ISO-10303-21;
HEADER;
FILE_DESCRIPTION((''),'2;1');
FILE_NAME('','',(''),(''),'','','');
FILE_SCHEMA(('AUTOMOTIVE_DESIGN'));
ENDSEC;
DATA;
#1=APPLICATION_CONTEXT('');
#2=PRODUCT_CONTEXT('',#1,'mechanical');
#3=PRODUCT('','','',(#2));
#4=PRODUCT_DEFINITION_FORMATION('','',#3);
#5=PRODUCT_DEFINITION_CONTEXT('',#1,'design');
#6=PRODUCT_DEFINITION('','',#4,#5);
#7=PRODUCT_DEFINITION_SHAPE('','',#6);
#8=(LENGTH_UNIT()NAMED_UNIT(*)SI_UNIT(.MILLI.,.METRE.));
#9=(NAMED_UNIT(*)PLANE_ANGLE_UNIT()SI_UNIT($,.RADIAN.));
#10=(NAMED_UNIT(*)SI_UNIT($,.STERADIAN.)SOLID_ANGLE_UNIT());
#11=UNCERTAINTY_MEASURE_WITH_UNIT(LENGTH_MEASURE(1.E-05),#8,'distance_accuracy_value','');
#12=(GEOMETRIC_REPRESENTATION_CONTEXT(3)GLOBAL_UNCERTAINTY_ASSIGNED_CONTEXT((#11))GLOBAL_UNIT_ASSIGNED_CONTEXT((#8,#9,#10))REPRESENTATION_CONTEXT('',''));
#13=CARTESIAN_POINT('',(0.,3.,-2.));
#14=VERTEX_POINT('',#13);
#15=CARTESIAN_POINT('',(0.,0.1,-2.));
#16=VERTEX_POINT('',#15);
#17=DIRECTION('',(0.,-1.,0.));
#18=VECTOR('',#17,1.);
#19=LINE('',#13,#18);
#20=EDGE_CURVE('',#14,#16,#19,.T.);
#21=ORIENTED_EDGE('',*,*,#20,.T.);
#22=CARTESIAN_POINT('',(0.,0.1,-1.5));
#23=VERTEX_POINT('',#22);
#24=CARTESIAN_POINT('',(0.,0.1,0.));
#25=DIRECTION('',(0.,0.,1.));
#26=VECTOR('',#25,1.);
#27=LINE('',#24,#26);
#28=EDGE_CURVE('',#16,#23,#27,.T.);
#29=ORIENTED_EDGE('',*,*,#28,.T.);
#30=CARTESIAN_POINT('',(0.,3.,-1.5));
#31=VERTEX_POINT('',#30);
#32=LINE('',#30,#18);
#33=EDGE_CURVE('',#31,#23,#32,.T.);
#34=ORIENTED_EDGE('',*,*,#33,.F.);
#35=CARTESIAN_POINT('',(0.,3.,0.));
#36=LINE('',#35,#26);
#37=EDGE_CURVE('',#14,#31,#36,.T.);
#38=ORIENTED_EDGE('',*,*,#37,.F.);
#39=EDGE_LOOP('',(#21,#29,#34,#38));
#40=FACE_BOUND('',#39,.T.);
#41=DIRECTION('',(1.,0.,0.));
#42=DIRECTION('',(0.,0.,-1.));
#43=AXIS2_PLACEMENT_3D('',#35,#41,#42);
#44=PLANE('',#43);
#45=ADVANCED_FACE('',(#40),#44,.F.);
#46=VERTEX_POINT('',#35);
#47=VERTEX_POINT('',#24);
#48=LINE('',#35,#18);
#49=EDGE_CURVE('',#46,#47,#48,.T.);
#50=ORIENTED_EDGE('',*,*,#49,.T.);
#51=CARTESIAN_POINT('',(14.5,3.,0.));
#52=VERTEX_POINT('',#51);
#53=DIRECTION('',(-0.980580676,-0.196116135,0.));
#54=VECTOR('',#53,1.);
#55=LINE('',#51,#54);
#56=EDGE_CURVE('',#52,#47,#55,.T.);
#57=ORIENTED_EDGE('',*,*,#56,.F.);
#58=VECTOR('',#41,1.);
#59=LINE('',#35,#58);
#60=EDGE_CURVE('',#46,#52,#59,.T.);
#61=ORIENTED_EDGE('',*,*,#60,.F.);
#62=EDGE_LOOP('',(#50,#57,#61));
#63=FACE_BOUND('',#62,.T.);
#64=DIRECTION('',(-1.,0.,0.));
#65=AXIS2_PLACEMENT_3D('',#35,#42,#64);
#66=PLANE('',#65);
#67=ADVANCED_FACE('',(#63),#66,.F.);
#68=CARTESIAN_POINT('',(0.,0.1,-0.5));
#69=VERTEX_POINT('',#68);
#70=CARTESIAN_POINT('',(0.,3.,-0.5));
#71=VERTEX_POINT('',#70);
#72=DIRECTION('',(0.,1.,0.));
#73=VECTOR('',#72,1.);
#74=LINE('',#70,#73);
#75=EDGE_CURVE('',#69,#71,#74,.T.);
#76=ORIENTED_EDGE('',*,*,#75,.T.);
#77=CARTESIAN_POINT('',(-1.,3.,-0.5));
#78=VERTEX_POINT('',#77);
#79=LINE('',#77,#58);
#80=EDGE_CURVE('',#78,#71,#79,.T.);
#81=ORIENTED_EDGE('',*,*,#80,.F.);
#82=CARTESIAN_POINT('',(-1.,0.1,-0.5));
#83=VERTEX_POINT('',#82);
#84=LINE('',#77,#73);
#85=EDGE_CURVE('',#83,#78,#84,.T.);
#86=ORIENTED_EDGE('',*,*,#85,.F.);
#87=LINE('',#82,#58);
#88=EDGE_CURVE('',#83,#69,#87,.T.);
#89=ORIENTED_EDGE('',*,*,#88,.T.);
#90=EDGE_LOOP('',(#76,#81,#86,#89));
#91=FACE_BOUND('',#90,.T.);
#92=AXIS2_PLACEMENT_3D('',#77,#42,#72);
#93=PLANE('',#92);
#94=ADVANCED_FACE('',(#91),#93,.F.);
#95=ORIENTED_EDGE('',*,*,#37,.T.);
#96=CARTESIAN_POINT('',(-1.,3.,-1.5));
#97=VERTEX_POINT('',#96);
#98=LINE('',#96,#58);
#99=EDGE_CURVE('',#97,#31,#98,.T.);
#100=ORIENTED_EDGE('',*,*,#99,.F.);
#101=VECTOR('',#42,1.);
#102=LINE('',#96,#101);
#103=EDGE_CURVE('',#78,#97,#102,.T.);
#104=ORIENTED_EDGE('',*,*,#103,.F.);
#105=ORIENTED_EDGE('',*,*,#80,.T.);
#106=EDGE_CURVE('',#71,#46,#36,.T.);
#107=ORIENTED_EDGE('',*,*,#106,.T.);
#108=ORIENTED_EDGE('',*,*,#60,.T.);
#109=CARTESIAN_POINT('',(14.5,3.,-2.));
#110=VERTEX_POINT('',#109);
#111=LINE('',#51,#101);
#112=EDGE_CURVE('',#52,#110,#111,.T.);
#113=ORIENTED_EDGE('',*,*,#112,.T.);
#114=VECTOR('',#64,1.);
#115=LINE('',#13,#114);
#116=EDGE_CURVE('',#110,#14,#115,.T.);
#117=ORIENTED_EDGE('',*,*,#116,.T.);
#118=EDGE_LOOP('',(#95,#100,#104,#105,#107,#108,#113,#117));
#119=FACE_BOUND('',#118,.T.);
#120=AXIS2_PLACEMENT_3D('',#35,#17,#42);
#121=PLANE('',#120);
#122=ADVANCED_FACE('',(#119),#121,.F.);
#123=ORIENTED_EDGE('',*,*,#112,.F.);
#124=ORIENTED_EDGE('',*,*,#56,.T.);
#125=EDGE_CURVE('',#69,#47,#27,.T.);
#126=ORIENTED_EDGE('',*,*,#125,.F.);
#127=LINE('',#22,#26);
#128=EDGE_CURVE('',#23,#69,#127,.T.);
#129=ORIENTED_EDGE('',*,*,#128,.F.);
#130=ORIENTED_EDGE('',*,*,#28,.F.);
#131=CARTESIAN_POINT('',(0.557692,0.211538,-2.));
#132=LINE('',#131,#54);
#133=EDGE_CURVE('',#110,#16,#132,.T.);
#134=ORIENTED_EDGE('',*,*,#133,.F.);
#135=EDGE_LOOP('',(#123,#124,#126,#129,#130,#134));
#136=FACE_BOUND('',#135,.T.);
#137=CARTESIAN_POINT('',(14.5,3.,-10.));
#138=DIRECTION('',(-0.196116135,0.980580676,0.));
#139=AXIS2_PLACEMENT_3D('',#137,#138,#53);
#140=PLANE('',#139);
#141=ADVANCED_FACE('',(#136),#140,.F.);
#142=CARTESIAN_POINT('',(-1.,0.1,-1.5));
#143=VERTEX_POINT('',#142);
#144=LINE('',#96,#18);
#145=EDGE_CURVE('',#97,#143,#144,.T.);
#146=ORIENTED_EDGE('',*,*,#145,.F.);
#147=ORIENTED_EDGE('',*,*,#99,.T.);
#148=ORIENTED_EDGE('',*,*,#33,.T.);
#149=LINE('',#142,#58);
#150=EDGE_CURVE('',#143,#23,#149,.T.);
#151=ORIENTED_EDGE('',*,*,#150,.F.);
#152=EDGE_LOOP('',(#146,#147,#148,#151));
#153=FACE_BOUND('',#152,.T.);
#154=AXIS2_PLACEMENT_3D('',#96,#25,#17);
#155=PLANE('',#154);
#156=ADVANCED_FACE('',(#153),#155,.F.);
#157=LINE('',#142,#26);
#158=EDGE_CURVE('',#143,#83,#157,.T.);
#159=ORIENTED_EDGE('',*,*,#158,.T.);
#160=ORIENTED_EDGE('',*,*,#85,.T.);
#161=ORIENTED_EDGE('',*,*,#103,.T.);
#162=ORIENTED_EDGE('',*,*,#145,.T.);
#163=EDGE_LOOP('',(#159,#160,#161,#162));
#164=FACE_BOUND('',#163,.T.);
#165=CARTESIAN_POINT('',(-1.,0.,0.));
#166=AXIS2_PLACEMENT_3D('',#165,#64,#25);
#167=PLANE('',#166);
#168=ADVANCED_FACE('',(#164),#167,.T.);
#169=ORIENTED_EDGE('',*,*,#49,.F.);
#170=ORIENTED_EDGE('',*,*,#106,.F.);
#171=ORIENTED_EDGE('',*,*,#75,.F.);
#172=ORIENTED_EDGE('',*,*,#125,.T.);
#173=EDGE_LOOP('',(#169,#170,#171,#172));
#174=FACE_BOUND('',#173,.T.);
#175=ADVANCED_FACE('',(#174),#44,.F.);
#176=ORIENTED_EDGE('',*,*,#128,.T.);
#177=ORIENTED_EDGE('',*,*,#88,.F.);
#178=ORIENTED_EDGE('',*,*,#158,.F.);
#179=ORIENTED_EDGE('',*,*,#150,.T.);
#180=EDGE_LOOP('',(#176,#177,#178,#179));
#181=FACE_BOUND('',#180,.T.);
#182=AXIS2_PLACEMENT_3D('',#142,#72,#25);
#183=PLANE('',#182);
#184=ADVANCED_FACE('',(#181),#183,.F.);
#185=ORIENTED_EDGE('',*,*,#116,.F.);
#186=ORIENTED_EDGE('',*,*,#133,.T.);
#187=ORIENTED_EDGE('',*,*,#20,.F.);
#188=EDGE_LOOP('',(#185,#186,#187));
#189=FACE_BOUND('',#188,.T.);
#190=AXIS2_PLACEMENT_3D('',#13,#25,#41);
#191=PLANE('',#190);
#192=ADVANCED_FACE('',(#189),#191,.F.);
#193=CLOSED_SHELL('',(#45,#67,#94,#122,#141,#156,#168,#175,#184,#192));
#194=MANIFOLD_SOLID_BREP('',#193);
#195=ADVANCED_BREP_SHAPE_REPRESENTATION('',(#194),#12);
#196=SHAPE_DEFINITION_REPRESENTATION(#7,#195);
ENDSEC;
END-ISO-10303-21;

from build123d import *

# Parameters (mm, degrees)
SKETCH2_W           = 14.5
SKETCH2_H           = 2
BOSS_EXTRUDE1_DEPTH = 3
CUT_EXTRUDE2_DEPTH  = 10
SKETCH6_W           = 1
SKETCH6_H           = 2.899999999
BOSS_EXTRUDE3_DEPTH = 1


with BuildPart() as part:
    # Sketch2 → Boss-Extrude1 (new body)
    with BuildSketch(Plane(origin=(0, 0, 0), x_dir=(1, 0, 0), z_dir=(0, 1, 0))):
        with Locations((7.25, 1)):
            Rectangle(SKETCH2_W, SKETCH2_H)
    extrude(amount=BOSS_EXTRUDE1_DEPTH)

    # Sketch5 → Cut-Extrude2 (cut)
    with BuildSketch(Plane.XY):
        Polygon((14.5, 3), (-1.189290811, -0.137858161), (14.5, -0.137858161), align=None)
    extrude(amount=-CUT_EXTRUDE2_DEPTH, mode=Mode.SUBTRACT)

    # Sketch6 → Boss-Extrude3 (add)
    with BuildSketch(Plane.ZY):
        with Locations((-1, 1.550000001)):
            Rectangle(SKETCH6_W, SKETCH6_H)
    extrude(amount=BOSS_EXTRUDE3_DEPTH)


solid = part.part
